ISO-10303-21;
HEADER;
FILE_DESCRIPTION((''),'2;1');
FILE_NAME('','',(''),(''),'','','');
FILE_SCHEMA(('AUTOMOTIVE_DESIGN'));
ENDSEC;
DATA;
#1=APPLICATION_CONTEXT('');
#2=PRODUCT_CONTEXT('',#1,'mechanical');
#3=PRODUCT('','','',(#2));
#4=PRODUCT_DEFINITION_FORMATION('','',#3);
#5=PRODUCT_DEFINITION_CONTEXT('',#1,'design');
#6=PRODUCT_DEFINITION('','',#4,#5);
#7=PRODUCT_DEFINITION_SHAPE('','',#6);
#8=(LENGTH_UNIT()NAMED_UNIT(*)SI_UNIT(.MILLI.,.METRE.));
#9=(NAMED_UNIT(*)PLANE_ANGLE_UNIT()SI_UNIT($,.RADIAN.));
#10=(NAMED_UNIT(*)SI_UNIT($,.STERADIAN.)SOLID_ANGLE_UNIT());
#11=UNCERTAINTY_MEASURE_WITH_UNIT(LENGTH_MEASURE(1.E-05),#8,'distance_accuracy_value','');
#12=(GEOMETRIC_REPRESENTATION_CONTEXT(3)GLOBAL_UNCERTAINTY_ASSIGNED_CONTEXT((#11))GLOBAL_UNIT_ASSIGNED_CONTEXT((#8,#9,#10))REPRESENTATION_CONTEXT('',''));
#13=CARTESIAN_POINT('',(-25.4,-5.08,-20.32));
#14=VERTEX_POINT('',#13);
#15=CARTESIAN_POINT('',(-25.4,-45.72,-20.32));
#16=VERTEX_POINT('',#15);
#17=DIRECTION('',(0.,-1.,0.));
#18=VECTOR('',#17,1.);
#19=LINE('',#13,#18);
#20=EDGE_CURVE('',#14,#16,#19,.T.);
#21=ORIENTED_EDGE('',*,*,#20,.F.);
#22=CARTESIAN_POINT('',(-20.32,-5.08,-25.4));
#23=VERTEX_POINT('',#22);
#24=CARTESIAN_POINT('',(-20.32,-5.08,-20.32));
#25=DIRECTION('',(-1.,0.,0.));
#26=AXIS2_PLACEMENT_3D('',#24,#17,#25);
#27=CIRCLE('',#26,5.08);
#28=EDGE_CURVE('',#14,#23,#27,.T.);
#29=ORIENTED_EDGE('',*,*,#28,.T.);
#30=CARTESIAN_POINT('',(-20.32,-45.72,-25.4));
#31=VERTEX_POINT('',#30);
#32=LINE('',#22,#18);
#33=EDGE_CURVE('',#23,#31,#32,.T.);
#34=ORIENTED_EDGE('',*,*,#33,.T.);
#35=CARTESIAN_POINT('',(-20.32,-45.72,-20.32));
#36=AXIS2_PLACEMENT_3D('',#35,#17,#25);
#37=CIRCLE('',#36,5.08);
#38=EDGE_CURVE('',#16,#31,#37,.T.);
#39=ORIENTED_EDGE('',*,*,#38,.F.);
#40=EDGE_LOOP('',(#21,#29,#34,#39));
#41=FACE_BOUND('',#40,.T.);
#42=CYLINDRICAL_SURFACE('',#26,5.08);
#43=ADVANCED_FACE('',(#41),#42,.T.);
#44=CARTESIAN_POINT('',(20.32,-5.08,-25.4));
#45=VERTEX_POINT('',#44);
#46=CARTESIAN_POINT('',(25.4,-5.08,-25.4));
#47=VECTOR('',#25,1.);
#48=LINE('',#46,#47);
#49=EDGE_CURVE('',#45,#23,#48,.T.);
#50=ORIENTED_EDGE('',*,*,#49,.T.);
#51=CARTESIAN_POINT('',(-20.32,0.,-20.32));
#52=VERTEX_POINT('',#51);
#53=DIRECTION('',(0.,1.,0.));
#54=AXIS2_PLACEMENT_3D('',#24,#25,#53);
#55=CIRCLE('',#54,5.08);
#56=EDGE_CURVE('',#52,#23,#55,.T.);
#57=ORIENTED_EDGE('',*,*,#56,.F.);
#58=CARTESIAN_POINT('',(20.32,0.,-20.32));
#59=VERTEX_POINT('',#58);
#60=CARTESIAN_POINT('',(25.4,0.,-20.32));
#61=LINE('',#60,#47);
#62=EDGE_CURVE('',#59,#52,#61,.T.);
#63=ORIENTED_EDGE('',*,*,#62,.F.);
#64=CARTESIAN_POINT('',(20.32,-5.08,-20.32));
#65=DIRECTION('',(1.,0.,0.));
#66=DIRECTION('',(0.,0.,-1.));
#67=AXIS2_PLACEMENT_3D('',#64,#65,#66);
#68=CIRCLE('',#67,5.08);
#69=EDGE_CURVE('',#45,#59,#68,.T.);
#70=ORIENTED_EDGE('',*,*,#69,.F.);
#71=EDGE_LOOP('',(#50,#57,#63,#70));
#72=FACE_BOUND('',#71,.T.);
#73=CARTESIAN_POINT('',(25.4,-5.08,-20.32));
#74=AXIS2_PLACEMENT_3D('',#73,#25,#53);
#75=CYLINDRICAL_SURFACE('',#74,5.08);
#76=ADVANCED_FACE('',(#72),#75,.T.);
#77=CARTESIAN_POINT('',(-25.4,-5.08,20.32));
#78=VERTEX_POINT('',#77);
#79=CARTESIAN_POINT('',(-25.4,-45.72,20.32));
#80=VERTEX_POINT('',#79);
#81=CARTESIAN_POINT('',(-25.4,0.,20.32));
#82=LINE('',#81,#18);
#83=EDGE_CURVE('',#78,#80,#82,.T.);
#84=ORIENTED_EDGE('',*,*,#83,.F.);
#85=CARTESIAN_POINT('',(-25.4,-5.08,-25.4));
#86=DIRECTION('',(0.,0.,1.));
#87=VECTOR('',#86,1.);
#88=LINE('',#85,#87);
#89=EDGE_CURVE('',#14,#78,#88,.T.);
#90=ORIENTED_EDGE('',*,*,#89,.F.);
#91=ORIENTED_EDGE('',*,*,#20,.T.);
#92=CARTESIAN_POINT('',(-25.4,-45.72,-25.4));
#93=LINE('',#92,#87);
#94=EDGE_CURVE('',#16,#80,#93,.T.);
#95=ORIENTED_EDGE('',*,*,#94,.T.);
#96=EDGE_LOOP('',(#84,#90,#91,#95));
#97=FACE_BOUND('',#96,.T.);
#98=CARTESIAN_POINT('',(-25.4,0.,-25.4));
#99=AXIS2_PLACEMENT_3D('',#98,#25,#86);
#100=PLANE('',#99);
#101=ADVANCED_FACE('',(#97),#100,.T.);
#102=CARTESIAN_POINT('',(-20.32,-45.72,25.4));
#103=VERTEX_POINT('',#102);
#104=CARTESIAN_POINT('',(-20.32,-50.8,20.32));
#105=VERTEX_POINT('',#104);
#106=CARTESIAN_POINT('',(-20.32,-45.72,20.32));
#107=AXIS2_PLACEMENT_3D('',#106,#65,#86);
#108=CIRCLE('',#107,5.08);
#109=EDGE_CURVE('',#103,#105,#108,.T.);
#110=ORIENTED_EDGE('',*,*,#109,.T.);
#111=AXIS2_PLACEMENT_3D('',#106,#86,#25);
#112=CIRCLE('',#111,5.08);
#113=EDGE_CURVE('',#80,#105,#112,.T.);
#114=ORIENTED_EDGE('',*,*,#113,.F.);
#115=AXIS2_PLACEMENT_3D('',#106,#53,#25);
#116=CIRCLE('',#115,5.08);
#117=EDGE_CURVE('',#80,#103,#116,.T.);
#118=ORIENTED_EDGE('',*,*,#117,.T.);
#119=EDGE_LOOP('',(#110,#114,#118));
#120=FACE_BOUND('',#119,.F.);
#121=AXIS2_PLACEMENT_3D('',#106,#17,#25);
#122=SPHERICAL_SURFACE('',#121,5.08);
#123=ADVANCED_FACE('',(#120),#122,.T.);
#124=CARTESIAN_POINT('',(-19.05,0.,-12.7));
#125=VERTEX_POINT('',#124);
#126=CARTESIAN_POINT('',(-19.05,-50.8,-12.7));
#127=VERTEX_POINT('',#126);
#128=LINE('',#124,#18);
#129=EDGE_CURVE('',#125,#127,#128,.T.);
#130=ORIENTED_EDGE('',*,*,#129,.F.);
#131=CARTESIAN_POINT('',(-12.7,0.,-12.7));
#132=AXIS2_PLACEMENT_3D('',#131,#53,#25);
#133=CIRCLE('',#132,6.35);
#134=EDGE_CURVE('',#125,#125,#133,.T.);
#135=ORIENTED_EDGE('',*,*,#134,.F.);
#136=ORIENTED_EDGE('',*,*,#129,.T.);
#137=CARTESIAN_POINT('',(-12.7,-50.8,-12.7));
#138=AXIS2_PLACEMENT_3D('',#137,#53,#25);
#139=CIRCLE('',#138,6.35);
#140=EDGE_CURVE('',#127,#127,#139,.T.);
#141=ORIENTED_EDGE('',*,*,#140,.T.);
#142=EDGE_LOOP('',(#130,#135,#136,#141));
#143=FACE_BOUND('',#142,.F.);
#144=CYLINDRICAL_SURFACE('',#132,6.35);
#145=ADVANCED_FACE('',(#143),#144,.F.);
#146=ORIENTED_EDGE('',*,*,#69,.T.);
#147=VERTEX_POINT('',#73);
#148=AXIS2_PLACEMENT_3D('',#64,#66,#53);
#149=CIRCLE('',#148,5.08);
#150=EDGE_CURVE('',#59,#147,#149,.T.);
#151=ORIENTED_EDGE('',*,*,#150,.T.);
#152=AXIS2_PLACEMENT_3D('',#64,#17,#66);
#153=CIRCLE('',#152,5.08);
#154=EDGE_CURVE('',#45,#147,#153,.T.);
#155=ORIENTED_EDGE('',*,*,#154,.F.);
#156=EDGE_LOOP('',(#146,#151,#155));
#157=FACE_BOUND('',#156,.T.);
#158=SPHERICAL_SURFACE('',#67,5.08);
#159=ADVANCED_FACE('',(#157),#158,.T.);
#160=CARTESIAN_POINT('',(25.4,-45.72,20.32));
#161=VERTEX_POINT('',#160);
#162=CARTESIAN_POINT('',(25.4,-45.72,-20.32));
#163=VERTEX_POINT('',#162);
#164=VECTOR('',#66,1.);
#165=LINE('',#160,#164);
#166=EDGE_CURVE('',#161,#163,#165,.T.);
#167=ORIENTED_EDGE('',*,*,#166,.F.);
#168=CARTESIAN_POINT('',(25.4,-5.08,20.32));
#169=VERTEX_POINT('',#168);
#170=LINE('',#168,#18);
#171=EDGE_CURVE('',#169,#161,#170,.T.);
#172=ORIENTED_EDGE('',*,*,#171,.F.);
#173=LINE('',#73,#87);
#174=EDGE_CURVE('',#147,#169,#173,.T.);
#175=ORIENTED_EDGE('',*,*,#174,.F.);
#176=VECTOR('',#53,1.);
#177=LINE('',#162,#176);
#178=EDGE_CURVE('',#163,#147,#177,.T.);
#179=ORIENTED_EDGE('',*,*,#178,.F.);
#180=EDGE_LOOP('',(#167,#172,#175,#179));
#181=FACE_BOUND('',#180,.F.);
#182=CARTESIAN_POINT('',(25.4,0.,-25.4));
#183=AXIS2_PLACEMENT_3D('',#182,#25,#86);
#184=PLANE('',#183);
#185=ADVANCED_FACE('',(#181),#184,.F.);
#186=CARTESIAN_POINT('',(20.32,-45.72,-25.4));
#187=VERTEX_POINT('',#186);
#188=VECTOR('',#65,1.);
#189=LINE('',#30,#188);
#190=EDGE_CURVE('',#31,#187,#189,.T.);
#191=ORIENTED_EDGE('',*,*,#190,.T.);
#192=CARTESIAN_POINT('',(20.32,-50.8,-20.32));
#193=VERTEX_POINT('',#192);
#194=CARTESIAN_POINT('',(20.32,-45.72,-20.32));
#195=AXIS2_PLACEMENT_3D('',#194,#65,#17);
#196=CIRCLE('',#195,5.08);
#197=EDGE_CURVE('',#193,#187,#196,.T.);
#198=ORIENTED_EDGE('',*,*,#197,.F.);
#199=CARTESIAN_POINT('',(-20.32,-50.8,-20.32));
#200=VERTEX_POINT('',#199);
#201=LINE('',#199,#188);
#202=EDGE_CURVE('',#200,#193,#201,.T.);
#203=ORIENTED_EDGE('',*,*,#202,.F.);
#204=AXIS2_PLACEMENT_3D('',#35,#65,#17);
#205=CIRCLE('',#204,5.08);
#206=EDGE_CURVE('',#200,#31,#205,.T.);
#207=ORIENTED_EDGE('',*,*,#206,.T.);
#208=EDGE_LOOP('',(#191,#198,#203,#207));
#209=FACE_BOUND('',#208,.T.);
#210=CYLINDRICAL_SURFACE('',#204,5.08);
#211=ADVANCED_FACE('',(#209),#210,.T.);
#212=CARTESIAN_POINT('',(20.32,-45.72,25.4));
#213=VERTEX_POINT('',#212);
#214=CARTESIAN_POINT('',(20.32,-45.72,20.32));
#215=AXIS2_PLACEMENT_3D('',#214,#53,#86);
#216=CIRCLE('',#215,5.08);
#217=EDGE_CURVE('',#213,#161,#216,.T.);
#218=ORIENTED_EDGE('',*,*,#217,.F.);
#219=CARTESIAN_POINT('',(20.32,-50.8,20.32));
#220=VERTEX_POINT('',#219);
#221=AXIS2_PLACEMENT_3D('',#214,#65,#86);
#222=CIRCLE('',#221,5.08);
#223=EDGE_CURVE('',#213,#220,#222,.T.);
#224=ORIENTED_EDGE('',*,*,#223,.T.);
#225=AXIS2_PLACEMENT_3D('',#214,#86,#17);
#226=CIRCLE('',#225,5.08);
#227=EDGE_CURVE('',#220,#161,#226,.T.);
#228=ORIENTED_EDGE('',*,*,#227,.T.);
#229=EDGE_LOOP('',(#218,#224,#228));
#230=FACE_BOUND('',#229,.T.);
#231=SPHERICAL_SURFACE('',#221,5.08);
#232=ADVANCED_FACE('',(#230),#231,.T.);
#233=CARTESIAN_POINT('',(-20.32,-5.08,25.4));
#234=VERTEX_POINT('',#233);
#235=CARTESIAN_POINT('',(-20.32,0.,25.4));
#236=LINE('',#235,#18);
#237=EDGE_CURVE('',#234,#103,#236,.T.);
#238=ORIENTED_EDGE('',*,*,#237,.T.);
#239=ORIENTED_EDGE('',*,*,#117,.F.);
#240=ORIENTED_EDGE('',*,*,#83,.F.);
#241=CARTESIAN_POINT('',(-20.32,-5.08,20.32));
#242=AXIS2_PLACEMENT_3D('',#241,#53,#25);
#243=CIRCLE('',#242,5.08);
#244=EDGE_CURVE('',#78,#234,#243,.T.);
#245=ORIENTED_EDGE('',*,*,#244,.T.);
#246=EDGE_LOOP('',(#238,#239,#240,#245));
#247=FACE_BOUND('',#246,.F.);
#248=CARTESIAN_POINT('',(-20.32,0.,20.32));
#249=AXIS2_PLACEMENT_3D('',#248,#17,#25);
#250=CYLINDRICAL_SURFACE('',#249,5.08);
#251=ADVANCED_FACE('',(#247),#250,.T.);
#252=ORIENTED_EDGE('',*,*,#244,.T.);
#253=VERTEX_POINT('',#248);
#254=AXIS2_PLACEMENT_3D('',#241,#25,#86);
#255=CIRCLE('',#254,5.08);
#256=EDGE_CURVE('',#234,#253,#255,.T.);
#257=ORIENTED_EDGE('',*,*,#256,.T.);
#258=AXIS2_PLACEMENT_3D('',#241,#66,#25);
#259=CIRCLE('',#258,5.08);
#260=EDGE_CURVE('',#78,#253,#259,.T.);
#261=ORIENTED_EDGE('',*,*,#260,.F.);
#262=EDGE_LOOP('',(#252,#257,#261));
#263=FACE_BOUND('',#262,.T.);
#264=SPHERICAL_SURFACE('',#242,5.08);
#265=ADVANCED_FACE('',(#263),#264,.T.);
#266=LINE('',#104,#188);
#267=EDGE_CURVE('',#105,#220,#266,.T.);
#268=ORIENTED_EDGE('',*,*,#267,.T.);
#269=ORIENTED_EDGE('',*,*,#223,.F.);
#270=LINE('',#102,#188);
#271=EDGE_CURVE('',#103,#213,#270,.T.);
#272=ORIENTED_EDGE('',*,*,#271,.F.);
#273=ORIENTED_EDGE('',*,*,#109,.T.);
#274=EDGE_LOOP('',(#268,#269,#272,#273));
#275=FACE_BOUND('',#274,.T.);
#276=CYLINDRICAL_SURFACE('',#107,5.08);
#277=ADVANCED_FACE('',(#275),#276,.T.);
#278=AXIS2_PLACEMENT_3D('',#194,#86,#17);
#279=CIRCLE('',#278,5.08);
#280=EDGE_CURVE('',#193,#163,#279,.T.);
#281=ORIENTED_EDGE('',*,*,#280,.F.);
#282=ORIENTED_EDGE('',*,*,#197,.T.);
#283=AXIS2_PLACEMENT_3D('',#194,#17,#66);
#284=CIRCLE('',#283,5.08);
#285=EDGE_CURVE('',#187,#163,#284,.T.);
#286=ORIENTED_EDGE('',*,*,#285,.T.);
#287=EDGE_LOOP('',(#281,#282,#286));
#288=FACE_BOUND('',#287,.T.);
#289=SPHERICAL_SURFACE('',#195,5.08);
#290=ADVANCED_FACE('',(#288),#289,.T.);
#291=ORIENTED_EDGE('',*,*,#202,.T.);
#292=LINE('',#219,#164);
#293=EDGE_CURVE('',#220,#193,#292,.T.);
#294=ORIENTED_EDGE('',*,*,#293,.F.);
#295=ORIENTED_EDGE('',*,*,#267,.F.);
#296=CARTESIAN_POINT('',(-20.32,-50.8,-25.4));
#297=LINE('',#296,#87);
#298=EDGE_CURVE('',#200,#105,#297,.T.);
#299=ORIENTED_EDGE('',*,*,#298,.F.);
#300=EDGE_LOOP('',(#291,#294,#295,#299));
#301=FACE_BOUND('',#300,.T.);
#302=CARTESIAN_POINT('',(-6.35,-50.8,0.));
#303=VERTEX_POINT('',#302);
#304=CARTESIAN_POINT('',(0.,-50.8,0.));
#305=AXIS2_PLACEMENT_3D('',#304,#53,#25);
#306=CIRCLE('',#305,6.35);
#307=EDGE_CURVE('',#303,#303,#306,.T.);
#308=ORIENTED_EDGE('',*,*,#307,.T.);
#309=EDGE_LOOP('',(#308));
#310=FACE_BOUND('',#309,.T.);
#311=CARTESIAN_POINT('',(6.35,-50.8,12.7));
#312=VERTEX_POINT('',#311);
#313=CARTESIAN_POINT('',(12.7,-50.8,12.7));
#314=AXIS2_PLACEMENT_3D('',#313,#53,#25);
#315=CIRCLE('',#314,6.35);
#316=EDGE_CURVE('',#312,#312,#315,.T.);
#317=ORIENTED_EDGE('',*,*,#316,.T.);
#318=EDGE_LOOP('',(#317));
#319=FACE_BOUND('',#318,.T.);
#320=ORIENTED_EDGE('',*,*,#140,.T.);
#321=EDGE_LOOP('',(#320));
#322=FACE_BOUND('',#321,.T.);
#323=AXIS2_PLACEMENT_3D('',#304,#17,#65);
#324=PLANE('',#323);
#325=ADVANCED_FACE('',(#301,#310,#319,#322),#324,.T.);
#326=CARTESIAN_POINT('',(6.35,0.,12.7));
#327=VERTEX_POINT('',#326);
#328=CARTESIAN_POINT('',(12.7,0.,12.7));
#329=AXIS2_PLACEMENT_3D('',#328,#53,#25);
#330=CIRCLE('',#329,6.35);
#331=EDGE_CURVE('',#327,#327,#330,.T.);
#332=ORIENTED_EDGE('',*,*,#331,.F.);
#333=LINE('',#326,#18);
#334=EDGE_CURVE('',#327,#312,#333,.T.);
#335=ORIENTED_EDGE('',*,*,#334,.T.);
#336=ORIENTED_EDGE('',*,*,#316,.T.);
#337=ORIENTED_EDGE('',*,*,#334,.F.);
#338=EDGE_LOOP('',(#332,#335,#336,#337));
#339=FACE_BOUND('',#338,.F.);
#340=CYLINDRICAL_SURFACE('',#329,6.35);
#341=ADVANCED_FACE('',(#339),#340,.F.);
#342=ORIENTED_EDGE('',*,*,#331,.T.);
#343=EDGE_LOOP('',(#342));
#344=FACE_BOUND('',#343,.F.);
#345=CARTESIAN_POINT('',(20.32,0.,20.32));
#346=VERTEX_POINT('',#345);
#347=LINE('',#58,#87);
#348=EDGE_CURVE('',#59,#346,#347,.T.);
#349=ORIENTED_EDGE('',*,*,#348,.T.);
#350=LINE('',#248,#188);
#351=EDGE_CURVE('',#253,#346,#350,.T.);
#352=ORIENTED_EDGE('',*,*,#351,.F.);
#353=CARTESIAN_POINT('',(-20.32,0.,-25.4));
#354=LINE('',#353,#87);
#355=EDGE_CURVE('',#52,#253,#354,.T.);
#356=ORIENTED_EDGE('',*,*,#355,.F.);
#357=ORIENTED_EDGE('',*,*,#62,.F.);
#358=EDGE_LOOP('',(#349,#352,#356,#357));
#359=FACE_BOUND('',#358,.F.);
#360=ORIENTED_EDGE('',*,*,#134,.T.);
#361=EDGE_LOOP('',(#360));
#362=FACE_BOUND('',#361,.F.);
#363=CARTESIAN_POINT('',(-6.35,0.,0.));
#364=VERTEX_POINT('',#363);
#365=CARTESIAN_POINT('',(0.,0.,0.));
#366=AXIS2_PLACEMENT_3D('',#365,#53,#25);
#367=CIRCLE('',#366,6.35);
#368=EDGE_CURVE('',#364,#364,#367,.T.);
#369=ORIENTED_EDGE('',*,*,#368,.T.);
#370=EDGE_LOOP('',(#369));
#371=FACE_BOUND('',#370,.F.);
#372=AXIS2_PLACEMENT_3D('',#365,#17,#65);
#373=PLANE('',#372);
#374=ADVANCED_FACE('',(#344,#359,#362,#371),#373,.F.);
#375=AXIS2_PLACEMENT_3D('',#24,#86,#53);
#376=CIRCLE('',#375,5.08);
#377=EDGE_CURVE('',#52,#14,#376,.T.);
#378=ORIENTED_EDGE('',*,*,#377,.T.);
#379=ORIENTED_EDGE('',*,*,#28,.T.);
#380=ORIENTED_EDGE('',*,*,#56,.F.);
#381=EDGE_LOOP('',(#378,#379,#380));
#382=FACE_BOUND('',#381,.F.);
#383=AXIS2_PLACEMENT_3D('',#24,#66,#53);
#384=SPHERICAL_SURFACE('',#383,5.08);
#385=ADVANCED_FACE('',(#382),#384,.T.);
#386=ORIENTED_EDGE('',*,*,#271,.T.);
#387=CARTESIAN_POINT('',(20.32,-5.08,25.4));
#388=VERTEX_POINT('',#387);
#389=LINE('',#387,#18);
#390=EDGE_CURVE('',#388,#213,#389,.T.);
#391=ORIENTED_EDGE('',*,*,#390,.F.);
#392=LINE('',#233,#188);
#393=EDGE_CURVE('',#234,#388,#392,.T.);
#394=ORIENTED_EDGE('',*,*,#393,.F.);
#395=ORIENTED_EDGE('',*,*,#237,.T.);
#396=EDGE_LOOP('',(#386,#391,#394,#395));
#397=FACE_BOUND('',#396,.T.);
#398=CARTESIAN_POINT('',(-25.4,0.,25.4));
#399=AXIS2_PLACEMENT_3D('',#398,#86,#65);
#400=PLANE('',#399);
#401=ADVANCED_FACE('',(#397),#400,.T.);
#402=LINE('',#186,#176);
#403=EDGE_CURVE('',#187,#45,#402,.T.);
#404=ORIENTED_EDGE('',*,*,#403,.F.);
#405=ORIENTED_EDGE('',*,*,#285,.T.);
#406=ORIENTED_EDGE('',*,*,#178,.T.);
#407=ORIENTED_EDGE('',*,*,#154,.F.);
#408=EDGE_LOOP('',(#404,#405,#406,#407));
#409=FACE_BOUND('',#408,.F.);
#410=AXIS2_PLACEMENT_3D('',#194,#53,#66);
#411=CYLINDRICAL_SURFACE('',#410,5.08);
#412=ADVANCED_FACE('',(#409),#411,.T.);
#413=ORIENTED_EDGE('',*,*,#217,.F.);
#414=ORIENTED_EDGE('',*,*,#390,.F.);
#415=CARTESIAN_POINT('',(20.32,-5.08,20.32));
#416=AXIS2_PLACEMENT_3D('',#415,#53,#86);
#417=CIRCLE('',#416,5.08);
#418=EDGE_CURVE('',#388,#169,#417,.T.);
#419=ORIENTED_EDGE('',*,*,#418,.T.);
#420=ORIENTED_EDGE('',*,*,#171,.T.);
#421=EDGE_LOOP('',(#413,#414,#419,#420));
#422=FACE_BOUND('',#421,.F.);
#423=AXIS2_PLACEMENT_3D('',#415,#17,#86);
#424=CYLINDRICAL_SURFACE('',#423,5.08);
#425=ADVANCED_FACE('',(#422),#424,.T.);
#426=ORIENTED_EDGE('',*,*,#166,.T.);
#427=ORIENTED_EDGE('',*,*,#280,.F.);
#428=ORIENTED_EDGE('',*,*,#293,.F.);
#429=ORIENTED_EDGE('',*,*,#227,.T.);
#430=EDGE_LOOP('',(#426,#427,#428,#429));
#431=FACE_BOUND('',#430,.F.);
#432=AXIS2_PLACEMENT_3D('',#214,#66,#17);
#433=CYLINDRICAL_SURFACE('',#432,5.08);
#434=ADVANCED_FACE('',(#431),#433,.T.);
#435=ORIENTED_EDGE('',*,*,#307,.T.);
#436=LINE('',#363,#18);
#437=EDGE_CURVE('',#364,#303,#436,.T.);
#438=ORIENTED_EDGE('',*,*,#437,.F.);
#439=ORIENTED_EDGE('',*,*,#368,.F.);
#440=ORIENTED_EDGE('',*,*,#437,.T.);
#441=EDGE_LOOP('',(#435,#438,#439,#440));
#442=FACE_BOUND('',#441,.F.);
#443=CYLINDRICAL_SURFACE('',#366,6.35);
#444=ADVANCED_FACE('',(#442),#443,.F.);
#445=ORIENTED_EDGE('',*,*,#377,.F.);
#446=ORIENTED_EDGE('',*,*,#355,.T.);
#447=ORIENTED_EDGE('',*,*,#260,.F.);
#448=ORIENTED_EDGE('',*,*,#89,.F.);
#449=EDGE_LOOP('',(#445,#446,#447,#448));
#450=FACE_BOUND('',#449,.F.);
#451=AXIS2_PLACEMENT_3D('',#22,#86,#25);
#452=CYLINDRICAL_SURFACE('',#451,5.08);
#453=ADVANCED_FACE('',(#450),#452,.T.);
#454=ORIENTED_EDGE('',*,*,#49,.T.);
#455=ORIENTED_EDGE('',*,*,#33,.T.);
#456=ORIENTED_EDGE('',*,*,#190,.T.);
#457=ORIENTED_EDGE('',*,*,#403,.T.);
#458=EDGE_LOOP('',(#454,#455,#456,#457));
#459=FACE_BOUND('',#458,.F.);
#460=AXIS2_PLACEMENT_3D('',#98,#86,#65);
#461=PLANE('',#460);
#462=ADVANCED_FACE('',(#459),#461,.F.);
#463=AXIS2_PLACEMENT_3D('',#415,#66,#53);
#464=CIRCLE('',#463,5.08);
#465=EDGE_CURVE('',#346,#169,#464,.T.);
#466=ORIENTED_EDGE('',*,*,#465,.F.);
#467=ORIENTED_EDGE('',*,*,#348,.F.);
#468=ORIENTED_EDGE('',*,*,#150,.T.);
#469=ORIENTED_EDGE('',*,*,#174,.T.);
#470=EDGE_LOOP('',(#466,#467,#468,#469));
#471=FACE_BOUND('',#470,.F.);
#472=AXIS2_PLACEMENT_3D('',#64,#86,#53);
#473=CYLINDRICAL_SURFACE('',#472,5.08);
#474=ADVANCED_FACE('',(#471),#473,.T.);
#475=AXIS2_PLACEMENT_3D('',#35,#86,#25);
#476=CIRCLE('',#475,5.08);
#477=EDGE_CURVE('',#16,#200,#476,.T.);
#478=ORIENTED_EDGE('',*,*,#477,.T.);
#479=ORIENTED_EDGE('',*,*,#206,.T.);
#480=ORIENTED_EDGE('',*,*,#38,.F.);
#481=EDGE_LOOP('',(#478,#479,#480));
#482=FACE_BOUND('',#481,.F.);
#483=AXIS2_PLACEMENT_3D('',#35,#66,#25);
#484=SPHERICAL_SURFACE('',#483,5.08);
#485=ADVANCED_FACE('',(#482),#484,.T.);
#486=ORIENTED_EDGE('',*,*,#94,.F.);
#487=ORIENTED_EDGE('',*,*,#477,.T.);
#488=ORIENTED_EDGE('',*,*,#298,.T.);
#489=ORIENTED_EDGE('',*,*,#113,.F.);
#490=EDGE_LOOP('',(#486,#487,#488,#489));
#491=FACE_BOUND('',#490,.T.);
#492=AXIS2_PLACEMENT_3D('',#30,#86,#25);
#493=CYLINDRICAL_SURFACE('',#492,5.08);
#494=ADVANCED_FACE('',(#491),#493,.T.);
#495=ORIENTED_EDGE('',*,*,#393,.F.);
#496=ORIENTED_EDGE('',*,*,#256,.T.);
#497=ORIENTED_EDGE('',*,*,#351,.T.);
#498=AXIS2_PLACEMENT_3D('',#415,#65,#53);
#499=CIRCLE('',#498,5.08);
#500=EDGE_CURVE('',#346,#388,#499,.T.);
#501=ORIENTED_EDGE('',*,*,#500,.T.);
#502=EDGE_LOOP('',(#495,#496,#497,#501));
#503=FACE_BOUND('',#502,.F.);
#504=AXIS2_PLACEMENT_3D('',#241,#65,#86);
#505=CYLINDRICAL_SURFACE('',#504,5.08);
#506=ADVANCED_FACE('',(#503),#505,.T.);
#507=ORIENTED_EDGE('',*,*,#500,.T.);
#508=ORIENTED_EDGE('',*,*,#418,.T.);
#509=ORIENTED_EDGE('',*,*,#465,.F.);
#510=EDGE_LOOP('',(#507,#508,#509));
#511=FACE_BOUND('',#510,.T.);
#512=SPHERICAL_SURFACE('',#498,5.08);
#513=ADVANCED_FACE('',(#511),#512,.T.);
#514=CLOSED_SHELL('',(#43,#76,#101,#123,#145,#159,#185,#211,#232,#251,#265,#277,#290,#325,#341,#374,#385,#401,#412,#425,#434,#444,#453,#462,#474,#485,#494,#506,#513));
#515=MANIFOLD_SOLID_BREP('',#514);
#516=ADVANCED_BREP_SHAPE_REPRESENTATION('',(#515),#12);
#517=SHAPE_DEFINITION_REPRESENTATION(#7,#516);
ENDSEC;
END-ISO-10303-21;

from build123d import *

# Parameters (mm, degrees)
F0_W     = 50.8
F0_H     = 50.8
F1_DEPTH = 50.8
F2_R     = 6.35
F3_DEPTH = 50.801
F4_R     = 5.08
F5_R     = 5.08
F6_R     = 5.08
F7_R     = 5.08
F8_R     = 5.08


with BuildPart() as f1:
    # F0 (on Front) → F1 (new body)
    with BuildSketch(Plane.XZ):
        Rectangle(F0_W, F0_H)
    extrude(amount=F1_DEPTH)

    # F2 (on face) → F3 (cut, through all)
    with BuildSketch(Plane(origin=(0, 0, 0), x_dir=(-1, 0, 0), z_dir=(0, 1, 0))):
        Circle(F2_R)
        with Locations((12.7, -12.7)):
            Circle(F2_R)
        with Locations((-12.7, 12.7)):
            Circle(F2_R)
    extrude(amount=-F3_DEPTH, mode=Mode.SUBTRACT)

    # F4
    f4_edges = [f1.edges().sort_by_distance(p)[0] for p in [
        (-25.4, -25.4, 25.4),
    ]]
    fillet(f4_edges, radius=F4_R)

    # F5
    f5_edges = [f1.edges().sort_by_distance(p)[0] for p in [
        (-25.4, 0, -2.54),
    ]]
    fillet(f5_edges, radius=F5_R)

    # F6
    f6_edges = [f1.edges().sort_by_distance(p)[0] for p in [
        (-25.4, -50.8, -2.54),
    ]]
    fillet(f6_edges, radius=F6_R)

    # F7
    f7_edges = [f1.edges().sort_by_distance(p)[0] for p in [
        (-25.4, -25.4, -25.4),
    ]]
    fillet(f7_edges, radius=F7_R)

    # F8
    f8_edges = [f1.edges().sort_by_distance(p)[0] for p in [
        (25.4, 0, 0),
    ]]
    fillet(f8_edges, radius=F8_R)


solid = f1.part
